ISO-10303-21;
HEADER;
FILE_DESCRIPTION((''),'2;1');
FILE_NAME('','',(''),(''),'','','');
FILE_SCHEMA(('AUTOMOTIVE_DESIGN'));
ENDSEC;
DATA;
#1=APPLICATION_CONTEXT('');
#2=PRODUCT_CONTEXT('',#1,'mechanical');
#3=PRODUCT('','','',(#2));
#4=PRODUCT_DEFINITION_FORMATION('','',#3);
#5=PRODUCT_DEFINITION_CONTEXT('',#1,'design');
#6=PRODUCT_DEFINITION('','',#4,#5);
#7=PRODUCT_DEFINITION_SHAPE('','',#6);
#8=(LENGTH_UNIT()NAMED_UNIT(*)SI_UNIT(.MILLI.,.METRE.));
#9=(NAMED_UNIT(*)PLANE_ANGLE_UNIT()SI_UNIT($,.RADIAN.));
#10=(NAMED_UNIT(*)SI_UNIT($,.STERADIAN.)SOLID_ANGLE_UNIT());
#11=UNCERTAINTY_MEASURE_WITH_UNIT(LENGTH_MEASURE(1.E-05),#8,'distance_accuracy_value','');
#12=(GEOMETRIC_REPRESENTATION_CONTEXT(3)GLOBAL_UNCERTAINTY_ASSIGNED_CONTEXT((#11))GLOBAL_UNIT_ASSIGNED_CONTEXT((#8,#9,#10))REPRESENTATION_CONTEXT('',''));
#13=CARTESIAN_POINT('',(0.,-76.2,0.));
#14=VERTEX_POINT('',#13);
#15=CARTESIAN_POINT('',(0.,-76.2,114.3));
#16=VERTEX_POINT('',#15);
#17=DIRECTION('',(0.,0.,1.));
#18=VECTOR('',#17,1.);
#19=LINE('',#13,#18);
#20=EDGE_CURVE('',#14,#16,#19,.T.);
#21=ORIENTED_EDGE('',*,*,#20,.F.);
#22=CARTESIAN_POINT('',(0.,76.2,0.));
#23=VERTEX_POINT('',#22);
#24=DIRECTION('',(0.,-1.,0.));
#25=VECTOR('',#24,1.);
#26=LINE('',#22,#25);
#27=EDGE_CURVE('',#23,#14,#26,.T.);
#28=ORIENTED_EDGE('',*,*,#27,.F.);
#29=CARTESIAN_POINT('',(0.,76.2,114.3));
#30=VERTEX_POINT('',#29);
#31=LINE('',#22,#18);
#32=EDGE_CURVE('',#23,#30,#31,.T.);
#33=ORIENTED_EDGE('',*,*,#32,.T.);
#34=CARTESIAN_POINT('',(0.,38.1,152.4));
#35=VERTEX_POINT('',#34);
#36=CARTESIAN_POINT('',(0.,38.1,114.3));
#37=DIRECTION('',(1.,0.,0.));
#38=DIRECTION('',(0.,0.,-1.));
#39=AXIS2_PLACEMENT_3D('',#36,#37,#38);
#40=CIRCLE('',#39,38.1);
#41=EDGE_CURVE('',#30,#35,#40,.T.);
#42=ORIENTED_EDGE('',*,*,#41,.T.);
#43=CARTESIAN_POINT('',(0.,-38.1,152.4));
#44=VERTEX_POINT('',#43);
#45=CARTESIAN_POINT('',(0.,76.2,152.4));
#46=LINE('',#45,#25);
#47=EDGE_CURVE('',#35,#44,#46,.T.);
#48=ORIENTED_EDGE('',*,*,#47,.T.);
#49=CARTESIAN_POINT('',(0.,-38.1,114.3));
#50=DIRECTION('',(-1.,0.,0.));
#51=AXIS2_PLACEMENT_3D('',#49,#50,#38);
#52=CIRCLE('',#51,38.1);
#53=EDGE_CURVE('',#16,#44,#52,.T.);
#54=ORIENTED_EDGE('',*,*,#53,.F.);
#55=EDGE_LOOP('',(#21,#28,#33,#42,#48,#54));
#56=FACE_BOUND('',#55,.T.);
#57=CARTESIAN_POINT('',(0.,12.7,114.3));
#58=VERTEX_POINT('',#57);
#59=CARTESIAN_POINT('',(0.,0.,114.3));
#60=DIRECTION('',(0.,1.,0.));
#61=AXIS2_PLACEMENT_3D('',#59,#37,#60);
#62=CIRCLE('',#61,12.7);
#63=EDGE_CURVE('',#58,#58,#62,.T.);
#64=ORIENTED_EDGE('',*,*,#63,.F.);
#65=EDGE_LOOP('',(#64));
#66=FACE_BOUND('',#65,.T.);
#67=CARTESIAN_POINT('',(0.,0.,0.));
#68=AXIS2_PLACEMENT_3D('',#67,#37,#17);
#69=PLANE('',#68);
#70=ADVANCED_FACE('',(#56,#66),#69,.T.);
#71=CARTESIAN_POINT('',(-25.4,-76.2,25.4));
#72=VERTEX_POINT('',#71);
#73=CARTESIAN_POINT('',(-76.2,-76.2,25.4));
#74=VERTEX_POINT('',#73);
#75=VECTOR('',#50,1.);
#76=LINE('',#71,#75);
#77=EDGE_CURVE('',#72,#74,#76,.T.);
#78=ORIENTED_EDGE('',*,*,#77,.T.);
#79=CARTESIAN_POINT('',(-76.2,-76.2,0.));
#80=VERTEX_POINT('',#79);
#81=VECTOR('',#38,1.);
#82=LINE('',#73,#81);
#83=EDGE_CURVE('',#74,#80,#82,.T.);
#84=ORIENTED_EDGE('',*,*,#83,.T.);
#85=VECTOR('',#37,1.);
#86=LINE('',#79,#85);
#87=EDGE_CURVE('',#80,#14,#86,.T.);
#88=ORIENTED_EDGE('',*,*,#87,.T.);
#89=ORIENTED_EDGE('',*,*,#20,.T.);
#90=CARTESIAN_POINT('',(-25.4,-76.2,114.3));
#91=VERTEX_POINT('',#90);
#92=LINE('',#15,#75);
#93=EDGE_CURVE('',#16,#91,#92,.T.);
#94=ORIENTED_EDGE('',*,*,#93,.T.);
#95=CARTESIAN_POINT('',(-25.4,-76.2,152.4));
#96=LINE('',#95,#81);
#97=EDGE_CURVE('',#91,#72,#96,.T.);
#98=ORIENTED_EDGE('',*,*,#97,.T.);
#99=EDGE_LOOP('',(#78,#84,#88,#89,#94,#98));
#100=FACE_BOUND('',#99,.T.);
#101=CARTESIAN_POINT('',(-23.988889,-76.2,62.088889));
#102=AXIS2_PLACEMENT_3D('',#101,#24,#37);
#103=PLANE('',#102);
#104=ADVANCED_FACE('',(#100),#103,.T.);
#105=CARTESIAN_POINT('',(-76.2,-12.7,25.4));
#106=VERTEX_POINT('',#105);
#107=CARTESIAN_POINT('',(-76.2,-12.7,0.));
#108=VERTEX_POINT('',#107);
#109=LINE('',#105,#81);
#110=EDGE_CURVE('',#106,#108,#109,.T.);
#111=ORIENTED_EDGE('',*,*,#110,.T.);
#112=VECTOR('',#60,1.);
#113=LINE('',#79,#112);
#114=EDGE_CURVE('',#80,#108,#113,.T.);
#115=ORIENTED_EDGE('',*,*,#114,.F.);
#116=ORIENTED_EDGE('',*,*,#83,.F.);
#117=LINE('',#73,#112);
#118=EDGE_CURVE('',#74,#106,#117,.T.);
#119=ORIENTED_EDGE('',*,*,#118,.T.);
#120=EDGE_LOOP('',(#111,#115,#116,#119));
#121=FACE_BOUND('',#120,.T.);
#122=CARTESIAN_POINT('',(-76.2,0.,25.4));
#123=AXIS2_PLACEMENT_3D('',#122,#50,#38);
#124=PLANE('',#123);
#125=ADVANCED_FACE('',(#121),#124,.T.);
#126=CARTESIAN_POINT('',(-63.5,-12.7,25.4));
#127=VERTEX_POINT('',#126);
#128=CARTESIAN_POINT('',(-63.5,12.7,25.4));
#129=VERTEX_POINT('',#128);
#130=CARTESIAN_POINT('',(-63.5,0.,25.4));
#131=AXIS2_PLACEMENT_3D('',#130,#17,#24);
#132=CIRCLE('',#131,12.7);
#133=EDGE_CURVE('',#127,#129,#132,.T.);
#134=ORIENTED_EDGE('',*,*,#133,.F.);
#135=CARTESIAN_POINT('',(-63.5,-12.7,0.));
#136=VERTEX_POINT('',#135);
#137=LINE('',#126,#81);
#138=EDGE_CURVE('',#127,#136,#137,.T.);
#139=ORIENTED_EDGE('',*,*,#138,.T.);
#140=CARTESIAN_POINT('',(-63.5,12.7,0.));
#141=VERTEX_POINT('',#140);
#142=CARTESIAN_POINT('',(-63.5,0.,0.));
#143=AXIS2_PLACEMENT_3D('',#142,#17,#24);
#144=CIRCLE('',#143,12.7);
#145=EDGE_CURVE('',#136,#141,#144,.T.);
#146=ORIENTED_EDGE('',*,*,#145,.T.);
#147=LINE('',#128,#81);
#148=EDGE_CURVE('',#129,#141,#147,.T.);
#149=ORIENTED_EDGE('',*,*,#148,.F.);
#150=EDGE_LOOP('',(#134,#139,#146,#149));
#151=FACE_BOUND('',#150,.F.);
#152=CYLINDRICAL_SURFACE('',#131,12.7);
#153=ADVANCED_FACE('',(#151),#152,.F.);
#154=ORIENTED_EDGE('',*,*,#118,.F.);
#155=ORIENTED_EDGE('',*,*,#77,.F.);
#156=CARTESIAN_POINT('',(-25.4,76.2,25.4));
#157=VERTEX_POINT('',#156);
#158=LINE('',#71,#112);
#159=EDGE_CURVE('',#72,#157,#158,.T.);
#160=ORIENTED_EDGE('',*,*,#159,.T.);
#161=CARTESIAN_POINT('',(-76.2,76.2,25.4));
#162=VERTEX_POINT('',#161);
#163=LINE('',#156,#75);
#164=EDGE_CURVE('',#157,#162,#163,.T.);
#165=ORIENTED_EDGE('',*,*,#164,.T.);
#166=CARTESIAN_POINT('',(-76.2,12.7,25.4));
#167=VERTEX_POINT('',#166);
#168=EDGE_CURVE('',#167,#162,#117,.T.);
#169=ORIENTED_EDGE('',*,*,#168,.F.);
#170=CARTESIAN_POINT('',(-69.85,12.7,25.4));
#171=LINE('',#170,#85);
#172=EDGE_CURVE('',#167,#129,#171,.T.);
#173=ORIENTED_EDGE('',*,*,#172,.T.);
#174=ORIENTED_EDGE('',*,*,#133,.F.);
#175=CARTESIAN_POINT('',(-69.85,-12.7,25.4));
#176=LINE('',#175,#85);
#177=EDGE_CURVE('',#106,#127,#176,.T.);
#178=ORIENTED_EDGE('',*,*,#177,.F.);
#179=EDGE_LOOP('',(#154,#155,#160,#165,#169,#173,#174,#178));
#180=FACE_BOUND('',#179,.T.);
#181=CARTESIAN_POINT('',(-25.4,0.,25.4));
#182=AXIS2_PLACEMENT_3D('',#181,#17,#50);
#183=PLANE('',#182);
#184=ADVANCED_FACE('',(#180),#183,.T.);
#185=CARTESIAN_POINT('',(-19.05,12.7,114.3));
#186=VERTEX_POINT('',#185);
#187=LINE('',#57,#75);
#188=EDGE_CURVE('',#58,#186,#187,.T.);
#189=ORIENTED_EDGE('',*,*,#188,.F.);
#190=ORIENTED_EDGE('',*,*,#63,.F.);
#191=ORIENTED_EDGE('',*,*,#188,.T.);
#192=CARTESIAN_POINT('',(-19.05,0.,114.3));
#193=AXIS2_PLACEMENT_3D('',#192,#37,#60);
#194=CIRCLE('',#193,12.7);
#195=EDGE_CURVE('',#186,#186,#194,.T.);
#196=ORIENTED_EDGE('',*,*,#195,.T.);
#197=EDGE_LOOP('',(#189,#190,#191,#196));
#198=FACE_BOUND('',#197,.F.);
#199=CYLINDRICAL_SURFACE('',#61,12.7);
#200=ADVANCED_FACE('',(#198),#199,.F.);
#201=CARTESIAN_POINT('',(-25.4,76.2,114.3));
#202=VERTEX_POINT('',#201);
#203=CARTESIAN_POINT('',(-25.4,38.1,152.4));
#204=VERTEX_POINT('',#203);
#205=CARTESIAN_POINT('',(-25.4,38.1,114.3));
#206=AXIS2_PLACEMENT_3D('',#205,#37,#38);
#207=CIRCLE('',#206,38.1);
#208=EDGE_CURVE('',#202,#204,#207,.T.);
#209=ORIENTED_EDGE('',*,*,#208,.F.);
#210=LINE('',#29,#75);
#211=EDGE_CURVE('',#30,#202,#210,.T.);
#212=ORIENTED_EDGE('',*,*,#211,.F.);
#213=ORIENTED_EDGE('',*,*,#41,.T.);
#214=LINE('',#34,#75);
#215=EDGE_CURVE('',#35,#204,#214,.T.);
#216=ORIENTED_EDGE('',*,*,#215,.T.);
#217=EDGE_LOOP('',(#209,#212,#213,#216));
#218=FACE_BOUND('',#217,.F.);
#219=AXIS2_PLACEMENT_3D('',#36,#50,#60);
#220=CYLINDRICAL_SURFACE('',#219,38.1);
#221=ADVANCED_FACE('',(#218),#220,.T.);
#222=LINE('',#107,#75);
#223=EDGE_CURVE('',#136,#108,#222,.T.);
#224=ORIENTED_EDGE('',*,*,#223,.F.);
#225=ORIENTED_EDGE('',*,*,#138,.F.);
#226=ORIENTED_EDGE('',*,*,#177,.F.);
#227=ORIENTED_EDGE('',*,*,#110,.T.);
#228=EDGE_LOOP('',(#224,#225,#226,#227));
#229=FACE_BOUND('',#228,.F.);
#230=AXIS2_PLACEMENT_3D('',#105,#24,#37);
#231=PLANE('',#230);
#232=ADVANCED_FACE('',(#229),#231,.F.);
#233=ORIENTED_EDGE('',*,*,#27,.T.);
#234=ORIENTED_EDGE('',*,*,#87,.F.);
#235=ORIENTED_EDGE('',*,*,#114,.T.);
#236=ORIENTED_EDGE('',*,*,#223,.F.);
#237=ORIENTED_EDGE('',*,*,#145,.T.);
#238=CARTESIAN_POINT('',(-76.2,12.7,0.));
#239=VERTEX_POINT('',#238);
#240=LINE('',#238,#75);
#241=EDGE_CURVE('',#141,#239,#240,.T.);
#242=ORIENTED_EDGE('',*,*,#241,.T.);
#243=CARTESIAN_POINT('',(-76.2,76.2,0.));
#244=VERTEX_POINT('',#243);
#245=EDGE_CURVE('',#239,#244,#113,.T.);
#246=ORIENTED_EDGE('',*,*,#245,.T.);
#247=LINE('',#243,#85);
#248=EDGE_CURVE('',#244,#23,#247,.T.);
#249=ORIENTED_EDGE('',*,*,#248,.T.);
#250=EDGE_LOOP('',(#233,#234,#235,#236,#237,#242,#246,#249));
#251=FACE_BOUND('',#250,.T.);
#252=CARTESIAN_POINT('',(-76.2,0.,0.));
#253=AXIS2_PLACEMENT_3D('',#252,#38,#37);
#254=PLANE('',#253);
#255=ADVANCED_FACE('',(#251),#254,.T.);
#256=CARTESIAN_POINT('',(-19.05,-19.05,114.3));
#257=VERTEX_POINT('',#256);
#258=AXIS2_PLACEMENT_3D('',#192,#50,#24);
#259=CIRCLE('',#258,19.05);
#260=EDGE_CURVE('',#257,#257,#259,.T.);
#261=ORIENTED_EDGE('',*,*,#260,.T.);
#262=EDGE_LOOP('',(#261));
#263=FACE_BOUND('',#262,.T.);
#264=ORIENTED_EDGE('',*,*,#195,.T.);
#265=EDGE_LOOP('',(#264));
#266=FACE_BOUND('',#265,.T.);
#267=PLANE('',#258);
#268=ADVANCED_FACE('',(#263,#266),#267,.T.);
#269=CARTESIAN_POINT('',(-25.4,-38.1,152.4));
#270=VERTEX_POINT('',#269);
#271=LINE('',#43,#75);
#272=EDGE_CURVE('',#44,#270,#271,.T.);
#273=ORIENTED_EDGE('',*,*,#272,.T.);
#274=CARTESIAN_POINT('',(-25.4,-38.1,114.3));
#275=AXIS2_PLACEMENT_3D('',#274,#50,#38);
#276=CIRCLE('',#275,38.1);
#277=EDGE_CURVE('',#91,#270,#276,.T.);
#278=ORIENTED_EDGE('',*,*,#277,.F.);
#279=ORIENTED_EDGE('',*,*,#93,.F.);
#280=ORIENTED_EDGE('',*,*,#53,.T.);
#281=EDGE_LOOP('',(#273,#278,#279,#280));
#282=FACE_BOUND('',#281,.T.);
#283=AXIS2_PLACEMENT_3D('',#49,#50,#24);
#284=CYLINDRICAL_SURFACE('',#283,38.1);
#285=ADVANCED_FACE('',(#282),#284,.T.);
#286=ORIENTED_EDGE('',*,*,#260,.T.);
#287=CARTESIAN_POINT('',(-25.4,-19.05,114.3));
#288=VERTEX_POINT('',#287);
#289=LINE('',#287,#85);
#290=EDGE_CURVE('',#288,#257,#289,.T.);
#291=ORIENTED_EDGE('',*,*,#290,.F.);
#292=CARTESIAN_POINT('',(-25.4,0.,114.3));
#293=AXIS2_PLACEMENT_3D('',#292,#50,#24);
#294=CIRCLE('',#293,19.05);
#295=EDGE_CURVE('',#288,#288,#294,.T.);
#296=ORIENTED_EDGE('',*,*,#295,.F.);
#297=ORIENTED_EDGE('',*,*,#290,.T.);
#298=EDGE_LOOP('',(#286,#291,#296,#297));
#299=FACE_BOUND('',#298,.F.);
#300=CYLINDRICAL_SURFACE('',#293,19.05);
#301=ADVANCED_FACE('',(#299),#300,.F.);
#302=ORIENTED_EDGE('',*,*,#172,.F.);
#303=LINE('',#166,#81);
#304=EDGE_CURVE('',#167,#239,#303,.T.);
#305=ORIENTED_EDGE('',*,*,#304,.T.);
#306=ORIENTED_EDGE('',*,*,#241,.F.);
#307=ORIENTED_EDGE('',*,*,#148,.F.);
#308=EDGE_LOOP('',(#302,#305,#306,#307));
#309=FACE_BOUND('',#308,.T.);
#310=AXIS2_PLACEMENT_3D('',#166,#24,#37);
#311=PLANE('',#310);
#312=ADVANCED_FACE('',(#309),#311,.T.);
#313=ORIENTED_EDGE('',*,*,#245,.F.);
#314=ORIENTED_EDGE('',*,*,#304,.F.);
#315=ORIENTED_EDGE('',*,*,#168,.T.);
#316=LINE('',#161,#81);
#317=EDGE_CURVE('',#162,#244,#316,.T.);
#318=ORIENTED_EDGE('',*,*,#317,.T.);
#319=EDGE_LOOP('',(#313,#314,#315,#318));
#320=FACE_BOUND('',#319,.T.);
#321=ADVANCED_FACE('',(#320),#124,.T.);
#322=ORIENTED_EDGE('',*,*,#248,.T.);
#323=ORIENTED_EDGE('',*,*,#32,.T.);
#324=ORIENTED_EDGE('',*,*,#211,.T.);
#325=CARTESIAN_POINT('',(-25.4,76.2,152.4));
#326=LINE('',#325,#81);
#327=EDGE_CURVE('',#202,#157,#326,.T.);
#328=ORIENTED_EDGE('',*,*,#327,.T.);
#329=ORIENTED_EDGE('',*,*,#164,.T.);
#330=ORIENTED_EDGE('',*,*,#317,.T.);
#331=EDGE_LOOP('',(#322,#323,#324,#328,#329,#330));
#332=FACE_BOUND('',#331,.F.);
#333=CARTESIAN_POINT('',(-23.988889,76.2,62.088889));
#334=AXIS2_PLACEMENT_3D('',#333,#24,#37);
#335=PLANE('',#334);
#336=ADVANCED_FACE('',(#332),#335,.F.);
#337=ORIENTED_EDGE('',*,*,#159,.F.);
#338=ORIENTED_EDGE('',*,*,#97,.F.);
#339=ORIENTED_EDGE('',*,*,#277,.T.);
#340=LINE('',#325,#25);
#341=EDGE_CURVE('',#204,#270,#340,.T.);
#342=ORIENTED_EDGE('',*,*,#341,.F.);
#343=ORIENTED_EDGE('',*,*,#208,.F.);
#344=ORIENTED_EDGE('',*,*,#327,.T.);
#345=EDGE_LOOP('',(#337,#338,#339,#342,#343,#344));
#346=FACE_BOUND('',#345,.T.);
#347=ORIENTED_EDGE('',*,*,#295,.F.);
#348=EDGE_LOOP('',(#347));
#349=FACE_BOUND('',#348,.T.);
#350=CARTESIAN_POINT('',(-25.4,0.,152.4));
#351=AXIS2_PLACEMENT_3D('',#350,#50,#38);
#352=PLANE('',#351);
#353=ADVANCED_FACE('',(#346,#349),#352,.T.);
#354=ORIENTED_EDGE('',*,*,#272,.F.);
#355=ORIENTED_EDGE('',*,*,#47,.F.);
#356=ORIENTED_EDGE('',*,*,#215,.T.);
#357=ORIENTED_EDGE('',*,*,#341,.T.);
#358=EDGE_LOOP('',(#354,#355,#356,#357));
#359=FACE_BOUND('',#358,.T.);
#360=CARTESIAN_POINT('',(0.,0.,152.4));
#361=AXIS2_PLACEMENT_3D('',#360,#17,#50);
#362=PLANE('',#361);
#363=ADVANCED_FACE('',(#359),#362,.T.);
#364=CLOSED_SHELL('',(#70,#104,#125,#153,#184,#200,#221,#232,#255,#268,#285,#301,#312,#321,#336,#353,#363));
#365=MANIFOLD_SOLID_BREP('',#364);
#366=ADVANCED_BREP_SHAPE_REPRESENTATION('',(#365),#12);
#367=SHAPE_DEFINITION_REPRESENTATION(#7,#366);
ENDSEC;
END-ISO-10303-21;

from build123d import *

# Parameters (mm, degrees)
F1_DEPTH = 76.2
F2_R     = 12.7
F3_DEPTH = 76.201
F4_W     = 12.7
F4_H     = 25.4
F5_DEPTH = 25.401
F7_R     = 38.1
F6_R     = 19.05
F8_DEPTH = 6.35


with BuildPart() as f1:
    # F0 (on Front) → F1 (new body, symmetric)
    with BuildSketch(Plane.XZ):
        Polygon((-76.2, 0), (0, 0), (0, 152.4), (-25.4, 152.4), (-25.4, 25.4), (-76.2, 25.4), align=None)
    extrude(amount=F1_DEPTH, both=True)

    # F2 (on Right) → F3 (cut, through all)
    with BuildSketch(Plane.YZ):
        with Locations((0, 114.3)):
            Circle(F2_R)
    extrude(amount=-F3_DEPTH, mode=Mode.SUBTRACT)

    # F4 (on face) → F5 (cut, through all)
    with BuildSketch(Plane.XY.offset(25.4)):
        with Locations((-69.85, 0)):
            Rectangle(F4_W, F4_H)
        with BuildLine():
            ThreePointArc((-63.5, -12.7), (-50.8, 0), (-63.5, 12.7))
            Line((-63.5, 12.7), (-63.5, -12.7))
        make_face()
    extrude(amount=-F5_DEPTH, mode=Mode.SUBTRACT)

    # F7
    f7_edges = [f1.edges().sort_by_distance(p)[0] for p in [
        (-12.7, 76.2, 152.4),
        (-12.7, -76.2, 152.4),
    ]]
    fillet(f7_edges, radius=F7_R)

    # F6 (on face) → F8 (cut)
    with BuildSketch(Plane(origin=(-25.4, 0, 0), x_dir=(0, -1, 0), z_dir=(-1, 0, 0))):
        with Locations((0, 114.3)):
            Circle(F6_R)
    extrude(amount=-F8_DEPTH, mode=Mode.SUBTRACT)


solid = f1.part
